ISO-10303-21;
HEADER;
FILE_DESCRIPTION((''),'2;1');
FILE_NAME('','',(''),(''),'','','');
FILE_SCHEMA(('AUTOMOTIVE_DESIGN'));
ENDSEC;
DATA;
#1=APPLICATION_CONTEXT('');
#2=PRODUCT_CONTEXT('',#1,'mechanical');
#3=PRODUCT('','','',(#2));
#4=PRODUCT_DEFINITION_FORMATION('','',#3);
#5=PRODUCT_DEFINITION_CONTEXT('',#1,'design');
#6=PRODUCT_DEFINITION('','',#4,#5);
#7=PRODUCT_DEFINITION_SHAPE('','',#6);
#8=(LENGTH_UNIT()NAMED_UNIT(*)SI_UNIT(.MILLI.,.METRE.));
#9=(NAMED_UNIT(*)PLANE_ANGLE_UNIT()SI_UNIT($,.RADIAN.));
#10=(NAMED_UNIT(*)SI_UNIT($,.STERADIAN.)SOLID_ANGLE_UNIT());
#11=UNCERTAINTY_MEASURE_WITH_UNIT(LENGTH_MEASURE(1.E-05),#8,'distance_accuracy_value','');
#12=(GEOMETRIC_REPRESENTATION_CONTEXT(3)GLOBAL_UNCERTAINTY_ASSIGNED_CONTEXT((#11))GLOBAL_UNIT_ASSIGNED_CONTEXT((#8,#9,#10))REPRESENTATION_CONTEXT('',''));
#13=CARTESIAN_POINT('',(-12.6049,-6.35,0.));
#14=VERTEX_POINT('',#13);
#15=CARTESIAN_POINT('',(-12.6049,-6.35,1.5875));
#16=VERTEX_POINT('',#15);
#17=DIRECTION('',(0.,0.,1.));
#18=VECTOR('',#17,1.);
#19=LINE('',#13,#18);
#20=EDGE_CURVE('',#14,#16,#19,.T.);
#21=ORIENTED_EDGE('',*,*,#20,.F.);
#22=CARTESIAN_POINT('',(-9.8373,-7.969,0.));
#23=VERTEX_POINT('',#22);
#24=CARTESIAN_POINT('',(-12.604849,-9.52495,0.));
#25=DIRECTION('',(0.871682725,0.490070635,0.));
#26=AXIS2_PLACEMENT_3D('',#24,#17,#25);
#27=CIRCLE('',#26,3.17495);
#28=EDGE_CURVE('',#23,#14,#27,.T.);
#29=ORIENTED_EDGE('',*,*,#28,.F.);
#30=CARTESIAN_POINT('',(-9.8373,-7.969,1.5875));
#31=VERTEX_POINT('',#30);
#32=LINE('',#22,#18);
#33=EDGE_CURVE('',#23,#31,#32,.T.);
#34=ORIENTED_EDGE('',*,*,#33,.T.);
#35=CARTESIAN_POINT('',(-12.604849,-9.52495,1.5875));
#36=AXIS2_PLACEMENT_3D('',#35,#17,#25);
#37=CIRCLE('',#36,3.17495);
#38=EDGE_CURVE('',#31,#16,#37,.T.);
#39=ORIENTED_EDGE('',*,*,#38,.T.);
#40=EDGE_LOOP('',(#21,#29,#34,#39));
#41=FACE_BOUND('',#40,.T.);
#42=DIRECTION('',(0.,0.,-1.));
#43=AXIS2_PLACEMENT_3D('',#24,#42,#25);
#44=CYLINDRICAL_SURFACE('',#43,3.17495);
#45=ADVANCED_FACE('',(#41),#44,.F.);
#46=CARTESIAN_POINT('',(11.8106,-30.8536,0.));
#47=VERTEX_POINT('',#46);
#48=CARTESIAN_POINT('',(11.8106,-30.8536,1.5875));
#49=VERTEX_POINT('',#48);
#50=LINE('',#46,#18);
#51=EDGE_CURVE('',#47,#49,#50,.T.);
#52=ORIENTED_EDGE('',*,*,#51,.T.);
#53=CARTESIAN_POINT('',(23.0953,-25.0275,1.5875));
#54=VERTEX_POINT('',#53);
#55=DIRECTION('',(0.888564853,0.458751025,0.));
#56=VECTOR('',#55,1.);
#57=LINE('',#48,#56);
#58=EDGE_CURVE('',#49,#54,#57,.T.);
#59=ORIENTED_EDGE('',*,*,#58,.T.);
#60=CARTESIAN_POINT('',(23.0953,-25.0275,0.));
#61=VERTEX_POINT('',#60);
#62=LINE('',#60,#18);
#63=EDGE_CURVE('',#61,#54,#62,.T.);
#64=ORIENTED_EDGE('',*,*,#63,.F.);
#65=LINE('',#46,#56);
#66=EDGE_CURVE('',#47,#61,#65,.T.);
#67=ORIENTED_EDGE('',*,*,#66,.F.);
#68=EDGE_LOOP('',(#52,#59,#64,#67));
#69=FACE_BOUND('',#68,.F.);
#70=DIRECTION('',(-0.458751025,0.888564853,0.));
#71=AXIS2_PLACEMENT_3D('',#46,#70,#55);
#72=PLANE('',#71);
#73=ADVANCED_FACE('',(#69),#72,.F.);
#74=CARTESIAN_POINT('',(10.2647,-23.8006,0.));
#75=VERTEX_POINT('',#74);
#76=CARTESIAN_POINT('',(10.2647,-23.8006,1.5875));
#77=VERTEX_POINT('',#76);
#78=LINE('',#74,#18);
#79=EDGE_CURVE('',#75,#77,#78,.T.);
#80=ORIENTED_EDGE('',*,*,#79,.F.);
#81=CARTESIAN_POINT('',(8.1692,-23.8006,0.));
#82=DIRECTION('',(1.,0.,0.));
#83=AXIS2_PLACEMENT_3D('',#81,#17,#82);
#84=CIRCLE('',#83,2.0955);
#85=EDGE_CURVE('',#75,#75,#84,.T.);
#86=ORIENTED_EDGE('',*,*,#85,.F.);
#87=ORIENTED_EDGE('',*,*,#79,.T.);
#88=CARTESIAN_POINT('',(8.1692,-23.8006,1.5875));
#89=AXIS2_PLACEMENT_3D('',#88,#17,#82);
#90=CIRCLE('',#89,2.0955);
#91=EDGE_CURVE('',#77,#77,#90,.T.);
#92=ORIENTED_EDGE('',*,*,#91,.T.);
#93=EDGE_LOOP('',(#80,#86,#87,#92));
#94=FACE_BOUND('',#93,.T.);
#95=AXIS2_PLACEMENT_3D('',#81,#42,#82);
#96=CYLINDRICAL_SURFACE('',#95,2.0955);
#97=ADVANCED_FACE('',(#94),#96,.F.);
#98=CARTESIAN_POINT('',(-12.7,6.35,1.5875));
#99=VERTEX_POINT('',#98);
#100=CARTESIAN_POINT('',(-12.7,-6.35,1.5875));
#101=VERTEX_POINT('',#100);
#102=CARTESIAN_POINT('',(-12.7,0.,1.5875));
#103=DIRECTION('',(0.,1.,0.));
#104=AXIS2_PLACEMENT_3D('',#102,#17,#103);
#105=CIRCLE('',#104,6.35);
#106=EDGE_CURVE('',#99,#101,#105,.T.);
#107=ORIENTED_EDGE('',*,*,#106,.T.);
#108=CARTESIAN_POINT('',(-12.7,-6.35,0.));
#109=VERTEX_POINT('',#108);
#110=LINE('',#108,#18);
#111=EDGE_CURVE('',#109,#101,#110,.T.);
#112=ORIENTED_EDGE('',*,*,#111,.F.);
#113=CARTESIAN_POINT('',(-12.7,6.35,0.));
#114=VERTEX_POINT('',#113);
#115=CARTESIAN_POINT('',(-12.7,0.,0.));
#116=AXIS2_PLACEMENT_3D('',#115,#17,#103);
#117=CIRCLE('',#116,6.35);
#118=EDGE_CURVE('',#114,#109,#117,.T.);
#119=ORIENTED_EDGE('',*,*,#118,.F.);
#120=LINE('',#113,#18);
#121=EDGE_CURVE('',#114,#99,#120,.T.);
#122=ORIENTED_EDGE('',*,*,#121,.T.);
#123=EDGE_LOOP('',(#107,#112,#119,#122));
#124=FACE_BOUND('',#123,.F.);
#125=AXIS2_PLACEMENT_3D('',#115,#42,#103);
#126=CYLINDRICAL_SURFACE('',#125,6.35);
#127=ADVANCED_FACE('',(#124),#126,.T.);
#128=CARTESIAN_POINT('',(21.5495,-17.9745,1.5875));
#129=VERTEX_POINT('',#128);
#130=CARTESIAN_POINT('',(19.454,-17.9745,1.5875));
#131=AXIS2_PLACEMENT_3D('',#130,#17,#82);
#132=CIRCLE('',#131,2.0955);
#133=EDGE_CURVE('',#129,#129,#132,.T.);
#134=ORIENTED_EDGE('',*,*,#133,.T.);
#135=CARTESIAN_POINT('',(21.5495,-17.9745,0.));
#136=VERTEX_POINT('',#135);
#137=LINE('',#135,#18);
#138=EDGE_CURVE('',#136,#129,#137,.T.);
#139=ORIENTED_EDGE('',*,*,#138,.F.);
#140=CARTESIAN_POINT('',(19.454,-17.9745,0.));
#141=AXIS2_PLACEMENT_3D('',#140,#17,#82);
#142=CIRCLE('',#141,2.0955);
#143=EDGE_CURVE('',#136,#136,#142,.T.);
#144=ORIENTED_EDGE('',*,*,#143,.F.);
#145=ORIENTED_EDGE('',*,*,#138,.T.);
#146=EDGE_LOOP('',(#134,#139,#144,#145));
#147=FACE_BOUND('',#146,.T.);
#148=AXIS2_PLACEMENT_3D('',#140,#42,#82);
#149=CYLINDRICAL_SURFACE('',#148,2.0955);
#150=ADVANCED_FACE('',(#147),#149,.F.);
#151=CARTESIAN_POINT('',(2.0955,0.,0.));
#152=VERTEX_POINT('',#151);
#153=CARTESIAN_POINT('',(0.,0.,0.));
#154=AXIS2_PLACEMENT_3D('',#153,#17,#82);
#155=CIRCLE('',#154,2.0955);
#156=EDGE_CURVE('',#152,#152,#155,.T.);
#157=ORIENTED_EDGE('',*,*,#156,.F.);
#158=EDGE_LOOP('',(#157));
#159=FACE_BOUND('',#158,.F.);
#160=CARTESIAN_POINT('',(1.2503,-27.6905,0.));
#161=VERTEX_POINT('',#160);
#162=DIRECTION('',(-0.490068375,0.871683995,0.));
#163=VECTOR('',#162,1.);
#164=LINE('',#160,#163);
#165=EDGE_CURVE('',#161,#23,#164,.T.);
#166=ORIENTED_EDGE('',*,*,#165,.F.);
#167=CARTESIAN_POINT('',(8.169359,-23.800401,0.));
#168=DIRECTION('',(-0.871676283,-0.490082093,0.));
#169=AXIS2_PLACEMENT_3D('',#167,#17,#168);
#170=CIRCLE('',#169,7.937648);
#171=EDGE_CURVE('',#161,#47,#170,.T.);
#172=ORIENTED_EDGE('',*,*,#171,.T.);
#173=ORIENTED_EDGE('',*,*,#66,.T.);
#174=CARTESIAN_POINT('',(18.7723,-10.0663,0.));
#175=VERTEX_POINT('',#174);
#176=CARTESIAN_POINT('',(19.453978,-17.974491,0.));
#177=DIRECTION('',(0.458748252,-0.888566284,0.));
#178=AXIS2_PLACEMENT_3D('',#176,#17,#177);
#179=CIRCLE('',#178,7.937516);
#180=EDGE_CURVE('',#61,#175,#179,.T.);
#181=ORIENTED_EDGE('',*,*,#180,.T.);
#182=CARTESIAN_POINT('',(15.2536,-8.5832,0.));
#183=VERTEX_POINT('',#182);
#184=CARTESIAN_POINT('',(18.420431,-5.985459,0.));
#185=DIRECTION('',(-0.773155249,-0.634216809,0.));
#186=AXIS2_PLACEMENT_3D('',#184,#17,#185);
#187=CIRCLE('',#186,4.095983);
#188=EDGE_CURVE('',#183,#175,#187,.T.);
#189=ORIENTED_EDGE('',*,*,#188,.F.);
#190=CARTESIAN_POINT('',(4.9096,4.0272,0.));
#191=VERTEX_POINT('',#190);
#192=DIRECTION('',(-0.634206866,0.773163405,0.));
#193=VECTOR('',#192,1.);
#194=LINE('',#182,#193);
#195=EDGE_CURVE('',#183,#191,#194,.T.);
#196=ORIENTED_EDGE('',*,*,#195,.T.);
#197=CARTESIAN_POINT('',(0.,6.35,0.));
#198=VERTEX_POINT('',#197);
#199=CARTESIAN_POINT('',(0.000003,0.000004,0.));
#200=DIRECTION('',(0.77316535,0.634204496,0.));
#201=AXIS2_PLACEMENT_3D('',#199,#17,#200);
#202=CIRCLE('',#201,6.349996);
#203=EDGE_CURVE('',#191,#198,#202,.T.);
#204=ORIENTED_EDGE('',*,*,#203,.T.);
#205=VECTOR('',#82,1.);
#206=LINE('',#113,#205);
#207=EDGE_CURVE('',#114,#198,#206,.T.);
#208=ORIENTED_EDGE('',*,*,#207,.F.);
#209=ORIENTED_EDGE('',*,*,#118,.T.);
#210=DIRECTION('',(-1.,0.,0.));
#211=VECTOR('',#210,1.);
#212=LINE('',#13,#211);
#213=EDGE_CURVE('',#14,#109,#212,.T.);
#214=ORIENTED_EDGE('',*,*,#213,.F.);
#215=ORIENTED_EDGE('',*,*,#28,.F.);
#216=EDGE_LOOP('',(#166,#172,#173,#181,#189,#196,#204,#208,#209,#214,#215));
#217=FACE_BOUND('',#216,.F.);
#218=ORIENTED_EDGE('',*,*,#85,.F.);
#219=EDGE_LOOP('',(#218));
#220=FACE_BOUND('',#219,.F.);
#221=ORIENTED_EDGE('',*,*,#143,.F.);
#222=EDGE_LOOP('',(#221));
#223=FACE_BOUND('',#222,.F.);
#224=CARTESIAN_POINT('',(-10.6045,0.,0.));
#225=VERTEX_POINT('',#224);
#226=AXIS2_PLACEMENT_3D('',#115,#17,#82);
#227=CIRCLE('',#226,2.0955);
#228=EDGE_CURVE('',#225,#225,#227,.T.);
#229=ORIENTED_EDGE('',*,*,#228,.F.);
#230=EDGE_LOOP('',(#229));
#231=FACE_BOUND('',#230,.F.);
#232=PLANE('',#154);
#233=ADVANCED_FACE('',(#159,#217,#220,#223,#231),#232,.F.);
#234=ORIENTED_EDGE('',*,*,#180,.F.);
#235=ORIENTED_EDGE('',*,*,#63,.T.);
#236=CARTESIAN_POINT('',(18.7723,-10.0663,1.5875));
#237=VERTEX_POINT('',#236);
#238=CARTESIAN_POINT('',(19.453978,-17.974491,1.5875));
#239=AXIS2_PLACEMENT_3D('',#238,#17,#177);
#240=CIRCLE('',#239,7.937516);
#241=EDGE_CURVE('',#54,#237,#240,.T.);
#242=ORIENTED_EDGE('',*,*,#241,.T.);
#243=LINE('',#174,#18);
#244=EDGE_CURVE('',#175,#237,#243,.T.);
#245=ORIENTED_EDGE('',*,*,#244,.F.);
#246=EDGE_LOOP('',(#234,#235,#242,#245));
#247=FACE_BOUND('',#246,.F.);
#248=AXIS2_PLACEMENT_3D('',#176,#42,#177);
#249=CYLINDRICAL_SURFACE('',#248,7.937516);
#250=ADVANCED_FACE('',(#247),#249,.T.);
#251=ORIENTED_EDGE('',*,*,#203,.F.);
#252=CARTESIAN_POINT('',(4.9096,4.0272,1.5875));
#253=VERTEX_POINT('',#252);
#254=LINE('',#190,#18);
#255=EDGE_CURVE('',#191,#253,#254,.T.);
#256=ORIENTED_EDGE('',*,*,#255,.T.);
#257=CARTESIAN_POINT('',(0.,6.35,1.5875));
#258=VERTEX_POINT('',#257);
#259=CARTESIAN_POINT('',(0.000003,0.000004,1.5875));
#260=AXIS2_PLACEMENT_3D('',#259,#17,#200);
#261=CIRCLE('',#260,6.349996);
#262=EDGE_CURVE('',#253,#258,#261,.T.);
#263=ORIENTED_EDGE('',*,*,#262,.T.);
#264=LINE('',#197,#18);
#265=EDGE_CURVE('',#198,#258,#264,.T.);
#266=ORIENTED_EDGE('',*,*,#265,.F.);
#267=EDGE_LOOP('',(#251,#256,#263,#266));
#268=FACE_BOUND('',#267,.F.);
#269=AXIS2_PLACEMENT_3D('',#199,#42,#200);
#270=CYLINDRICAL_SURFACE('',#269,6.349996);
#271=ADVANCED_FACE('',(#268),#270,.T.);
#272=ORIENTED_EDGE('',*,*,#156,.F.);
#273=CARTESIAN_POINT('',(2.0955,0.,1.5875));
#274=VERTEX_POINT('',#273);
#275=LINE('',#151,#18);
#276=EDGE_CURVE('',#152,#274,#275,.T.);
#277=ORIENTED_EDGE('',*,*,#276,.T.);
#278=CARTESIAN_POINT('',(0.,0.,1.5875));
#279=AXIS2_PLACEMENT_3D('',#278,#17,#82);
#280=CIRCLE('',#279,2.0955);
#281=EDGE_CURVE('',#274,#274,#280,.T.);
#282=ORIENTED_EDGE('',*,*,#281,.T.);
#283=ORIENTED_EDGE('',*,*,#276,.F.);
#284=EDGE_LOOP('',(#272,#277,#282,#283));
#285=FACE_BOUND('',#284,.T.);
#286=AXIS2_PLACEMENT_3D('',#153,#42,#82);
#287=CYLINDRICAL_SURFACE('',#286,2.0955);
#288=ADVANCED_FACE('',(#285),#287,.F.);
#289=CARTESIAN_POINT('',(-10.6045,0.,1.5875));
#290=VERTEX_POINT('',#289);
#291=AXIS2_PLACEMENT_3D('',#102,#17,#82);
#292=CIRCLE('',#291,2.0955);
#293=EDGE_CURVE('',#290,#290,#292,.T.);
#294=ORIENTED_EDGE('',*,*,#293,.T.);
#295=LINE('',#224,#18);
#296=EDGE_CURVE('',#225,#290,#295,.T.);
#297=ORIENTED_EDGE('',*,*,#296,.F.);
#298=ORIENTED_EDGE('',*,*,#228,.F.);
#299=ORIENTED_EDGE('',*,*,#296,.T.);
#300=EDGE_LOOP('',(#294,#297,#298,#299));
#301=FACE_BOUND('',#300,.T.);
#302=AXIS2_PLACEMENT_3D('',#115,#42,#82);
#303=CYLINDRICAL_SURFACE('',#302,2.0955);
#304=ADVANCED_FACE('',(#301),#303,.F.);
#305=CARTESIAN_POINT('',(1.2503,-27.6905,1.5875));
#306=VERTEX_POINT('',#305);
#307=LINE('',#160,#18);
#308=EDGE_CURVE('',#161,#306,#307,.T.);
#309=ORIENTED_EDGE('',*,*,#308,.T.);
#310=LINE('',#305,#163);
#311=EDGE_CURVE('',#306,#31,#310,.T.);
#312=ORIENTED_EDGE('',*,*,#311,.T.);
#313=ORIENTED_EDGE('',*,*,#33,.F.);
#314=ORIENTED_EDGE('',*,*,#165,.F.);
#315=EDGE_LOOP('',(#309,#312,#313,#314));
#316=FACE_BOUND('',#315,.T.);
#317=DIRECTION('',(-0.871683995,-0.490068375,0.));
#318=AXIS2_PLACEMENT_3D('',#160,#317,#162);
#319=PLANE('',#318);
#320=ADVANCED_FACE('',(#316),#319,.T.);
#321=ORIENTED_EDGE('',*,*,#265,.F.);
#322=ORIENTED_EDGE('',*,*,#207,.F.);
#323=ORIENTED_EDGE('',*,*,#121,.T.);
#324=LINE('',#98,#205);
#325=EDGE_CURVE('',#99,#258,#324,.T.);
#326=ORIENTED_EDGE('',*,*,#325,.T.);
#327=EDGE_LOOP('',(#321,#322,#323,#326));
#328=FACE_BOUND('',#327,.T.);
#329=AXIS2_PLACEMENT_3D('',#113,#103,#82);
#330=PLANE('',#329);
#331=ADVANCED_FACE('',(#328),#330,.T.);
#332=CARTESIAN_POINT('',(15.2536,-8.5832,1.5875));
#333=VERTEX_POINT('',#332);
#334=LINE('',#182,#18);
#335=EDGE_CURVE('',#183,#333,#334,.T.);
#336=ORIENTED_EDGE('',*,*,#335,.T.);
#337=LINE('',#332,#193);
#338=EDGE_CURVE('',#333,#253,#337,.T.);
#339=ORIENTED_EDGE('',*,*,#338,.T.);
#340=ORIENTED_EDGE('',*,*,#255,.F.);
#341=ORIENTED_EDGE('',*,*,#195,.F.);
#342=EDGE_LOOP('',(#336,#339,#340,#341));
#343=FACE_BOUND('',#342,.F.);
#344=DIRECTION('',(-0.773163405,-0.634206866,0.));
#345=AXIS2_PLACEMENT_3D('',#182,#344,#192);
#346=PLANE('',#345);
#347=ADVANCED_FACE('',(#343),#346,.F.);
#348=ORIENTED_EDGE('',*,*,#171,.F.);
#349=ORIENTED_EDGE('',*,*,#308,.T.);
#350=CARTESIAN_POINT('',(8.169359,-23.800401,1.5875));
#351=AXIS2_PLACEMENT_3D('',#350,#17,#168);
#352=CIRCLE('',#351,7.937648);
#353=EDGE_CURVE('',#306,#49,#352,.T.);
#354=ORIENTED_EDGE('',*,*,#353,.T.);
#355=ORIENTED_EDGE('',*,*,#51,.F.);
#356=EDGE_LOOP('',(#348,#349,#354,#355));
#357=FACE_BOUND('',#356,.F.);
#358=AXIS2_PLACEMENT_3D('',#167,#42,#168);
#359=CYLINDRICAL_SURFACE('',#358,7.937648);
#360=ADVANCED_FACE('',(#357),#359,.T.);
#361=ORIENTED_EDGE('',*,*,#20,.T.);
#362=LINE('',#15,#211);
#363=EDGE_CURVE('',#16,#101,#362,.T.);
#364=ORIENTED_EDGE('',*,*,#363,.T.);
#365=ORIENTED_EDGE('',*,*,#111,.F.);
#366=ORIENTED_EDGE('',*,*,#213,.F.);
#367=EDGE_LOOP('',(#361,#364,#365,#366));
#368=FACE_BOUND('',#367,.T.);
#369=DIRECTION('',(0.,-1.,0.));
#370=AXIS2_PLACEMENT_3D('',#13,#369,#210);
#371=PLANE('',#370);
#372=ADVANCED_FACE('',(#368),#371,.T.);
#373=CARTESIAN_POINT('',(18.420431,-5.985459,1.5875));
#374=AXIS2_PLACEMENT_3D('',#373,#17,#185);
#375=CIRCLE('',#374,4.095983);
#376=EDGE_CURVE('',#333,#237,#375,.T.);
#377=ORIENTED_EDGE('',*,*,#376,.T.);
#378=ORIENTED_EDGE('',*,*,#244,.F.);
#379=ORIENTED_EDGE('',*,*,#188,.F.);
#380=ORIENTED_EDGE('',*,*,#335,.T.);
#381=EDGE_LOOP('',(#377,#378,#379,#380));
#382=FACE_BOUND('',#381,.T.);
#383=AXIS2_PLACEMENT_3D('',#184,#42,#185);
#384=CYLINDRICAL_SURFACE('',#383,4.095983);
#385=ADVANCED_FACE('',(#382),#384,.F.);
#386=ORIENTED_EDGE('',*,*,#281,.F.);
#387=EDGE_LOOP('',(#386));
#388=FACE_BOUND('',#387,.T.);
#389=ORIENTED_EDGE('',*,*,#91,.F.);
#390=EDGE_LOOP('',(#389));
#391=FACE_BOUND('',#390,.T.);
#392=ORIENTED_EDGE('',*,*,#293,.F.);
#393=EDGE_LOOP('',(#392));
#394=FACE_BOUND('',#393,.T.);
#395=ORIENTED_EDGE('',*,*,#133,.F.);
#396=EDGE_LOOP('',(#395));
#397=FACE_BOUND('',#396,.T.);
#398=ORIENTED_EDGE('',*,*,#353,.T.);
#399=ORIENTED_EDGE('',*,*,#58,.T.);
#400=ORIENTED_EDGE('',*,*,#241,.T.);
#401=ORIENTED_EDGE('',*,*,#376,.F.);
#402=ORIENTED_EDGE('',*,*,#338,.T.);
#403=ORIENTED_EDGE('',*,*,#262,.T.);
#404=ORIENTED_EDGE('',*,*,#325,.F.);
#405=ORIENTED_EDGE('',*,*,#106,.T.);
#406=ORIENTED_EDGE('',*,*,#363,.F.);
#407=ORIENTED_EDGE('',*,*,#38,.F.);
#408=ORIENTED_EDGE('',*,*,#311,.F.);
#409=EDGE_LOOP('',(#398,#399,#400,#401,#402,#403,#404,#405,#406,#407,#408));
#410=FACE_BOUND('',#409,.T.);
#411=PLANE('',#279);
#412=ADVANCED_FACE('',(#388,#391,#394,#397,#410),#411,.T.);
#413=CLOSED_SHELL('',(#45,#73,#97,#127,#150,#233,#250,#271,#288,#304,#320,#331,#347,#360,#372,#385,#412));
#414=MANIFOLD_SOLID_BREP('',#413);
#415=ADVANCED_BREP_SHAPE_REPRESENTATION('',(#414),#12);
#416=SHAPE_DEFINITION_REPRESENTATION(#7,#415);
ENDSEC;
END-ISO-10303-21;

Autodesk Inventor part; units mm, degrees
ref_plane "YZ Plane" through (0, 0, 0) normal (1, 0, 0) x (0, 1, 0)
ref_plane "XZ Plane" through (0, 0, 0) normal (0, 1, 0) x (-1, 0, 0)
ref_plane "XY Plane" through (0, 0, 0) normal (0, 0, 1) x (1, 0, 0)
sketch "Sketch1" plane through (0, 0, 0) normal (0, 0, 1) x (1, 0, 0)
  circle A0 centre (0, 0) radius 2.0955
  circle A1 centre (-12.7, 0) radius 2.0955
  arc A2 (-12.7, 6.35) -> (-12.7, -6.35) centre (-12.7, 0) ccw
  arc A3 (4.9096, 4.0272) -> (0, 6.35) centre (0, 0) ccw
  line L0 (0, 0) -> (32.8335, 0) construction
  line L1 (-12.6049, -6.35) -> (-12.7, -6.35)
  line L2 (-12.7, 6.35) -> (0, 6.35)
  line L3 (1.2503, -27.6905) -> (-9.8373, -7.969)
  arc A4 (-9.8373, -7.969) -> (-12.6049, -6.35) centre (-12.6049, -9.525) ccw
  arc A5 (1.2503, -27.6905) -> (11.8106, -30.8536) centre (8.1692, -23.8006) ccw
  circle A6 centre (8.1692, -23.8006) radius 2.0955
  circle A7 centre (19.454, -17.9745) radius 2.0955
  arc A8 (23.0953, -25.0275) -> (18.7723, -10.0663) centre (19.454, -17.9745) ccw
  line L4 (11.8106, -30.8536) -> (23.0953, -25.0275)
  arc A9 (15.2536, -8.5832) -> (18.7723, -10.0663) centre (18.4204, -5.9855) ccw
  line L5 (15.2536, -8.5832) -> (4.9096, 4.0272)
  point P0 (-10.4687, -6.35)
  dimension "d0" = 4.191
  dimension "d9" = 3.175
  dimension "d10" = 7.9375
  dimension "d11" = 4.191
  dimension "d13" = 4.191
  dimension "d14" = 15.875
  dimension "d15" = 12.7
extrude "Extrusion1" add sketch "Sketch1" along normal blind 1.5875
properties part number "Clamp Gusset" material "Acetal Resin, White"
